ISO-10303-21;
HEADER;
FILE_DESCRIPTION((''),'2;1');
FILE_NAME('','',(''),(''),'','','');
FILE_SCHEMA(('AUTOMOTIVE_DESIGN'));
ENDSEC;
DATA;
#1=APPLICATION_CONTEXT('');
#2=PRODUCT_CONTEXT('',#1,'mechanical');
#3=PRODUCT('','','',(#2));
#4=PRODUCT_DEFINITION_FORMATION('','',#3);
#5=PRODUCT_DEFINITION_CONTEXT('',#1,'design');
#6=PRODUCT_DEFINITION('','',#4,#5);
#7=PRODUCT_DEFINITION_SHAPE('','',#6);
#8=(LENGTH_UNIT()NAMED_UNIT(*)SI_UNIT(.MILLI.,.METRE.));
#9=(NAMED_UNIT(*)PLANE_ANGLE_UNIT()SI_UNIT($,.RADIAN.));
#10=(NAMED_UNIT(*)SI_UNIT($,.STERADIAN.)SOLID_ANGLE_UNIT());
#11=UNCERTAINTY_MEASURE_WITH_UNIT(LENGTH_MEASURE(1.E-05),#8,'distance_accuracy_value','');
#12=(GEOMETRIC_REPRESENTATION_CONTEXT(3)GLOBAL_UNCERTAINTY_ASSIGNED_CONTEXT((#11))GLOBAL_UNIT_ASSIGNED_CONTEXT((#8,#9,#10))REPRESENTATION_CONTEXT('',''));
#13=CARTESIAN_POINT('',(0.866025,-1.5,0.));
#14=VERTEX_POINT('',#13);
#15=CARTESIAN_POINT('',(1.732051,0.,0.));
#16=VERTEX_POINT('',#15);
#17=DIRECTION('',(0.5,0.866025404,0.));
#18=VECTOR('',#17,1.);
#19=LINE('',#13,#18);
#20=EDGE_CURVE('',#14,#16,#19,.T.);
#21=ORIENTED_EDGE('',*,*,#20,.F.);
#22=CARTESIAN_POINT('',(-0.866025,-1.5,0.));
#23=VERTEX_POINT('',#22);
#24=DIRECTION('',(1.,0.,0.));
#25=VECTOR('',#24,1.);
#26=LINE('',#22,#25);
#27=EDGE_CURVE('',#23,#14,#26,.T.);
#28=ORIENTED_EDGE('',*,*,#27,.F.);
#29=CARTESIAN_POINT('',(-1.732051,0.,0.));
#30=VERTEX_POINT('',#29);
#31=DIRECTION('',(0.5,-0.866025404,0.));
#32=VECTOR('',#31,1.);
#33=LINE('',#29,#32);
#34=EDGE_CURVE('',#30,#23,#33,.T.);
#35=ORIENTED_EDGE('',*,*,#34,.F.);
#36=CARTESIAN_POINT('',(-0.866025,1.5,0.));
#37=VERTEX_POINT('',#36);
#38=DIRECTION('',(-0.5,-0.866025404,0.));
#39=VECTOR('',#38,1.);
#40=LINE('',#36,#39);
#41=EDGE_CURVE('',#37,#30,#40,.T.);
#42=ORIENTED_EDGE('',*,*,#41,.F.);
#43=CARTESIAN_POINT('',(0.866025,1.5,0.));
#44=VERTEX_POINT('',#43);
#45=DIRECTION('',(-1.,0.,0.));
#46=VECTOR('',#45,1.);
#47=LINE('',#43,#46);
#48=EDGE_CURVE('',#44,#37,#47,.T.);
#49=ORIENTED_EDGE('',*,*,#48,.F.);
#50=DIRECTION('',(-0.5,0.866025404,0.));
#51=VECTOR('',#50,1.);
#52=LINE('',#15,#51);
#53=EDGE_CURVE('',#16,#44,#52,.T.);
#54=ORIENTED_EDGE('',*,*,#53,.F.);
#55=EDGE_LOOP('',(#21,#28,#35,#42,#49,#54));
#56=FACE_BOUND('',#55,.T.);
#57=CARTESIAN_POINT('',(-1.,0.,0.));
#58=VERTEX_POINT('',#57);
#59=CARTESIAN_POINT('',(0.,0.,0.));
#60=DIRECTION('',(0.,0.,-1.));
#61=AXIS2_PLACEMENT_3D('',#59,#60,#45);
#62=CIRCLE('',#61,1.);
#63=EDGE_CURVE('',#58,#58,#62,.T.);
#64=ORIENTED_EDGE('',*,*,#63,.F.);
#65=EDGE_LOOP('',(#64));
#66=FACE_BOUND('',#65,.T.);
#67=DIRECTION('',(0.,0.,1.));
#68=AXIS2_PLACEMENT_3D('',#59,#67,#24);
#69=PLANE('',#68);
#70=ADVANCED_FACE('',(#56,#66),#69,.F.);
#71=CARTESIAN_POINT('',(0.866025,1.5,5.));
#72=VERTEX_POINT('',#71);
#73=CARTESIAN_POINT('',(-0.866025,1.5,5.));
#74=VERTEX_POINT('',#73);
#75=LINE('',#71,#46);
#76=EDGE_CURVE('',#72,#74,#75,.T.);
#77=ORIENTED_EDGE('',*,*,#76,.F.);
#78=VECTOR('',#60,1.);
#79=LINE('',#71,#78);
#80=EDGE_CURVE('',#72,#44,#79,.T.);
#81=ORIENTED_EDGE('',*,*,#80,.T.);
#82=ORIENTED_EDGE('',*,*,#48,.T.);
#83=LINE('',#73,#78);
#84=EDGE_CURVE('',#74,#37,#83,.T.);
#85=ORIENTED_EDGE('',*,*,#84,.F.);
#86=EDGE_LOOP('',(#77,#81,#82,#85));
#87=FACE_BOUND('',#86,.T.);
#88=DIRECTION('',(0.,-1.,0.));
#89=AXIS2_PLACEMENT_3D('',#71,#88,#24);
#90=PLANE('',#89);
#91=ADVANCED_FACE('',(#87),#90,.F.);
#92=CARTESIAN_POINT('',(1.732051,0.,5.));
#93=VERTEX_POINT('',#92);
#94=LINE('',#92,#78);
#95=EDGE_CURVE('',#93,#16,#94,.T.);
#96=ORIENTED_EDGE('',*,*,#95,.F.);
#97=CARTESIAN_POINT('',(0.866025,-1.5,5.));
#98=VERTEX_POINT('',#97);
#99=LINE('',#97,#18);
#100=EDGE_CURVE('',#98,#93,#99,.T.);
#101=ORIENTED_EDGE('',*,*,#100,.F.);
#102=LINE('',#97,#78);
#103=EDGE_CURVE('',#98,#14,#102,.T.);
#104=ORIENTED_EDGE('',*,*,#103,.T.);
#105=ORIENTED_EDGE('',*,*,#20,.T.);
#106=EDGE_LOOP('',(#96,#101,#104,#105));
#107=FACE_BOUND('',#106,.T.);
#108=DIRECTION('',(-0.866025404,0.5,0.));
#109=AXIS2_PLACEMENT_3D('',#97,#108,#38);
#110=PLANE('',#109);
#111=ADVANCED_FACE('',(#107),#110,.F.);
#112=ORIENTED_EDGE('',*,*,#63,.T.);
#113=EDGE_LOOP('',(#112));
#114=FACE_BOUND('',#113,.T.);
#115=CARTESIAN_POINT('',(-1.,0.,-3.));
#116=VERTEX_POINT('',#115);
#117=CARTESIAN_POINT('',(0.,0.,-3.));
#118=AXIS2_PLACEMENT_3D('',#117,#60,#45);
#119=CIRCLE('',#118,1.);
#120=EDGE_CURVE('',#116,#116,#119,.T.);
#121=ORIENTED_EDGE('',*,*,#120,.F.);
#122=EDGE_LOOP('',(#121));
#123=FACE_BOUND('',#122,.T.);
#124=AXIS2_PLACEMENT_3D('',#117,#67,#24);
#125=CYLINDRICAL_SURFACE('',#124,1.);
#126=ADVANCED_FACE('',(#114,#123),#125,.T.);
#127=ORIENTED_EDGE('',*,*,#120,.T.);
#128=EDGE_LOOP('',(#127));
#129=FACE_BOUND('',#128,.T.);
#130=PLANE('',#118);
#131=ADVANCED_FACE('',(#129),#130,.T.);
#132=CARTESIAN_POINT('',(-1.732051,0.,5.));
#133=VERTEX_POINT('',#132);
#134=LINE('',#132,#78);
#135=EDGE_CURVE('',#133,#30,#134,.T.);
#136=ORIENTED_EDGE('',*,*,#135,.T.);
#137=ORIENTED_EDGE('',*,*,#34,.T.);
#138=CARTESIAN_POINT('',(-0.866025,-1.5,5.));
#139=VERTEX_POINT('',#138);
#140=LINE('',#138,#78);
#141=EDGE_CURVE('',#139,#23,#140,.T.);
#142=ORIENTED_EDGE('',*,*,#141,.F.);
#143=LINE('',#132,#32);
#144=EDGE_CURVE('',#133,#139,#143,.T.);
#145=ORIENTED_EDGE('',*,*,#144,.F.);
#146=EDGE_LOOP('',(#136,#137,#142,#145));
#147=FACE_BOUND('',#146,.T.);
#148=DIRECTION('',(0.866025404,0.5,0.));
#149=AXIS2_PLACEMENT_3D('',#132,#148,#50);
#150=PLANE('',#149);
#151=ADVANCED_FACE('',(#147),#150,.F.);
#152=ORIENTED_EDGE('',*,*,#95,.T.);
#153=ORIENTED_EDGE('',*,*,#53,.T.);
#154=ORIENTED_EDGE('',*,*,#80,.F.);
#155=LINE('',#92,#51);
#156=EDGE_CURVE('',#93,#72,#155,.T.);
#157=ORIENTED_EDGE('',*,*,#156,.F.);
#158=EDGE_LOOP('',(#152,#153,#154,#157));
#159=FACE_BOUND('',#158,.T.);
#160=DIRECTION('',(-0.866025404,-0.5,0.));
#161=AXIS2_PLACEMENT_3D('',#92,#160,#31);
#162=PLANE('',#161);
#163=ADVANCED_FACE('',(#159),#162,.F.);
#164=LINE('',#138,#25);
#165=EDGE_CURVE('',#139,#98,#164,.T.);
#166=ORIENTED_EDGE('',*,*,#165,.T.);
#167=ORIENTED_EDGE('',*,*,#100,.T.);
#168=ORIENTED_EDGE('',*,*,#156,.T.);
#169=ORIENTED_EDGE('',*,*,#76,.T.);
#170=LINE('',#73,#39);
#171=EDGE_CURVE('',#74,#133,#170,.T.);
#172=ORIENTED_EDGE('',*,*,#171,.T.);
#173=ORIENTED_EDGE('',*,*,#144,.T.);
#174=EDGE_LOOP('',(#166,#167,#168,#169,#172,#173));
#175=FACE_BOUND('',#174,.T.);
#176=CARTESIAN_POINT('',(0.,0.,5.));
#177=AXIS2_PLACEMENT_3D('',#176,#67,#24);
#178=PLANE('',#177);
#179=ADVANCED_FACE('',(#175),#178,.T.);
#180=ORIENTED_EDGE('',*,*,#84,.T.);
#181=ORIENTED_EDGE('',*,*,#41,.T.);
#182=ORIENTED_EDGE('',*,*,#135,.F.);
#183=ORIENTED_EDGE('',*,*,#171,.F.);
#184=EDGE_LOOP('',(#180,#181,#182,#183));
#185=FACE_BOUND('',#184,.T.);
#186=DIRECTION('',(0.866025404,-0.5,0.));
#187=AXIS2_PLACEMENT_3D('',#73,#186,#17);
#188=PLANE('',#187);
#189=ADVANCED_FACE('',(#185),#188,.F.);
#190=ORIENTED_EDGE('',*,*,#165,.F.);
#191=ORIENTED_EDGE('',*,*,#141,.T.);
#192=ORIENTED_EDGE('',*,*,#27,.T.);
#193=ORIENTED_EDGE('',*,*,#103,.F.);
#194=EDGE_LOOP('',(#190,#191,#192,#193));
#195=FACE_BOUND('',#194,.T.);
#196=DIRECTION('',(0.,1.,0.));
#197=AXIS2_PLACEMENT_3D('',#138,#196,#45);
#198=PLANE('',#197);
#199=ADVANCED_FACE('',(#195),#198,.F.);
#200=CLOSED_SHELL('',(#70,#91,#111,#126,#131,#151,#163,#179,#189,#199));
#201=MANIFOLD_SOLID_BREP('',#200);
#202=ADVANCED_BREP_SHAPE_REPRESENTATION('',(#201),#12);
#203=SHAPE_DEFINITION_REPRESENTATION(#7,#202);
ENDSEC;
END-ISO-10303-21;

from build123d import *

# Parameters (mm, degrees)
EXTRUDE_1_DEPTH = 5
SKETCH_3_R      = 1
EXTRUDE_2_DEPTH = 3


with BuildPart() as part:
    # 草图2 → 凸台-拉伸1 (new body)
    with BuildSketch(Plane.XY):
        Polygon((1.732050808, 0), (0.866025404, 1.5), (-0.866025404, 1.5), (-1.732050808, 0), (-0.866025404, -1.5), (0.866025404, -1.5), align=None)
    extrude(amount=EXTRUDE_1_DEPTH)

    # 草图3 → 凸台-拉伸2 (add)
    with BuildSketch(Plane(origin=(0, 0, 0), x_dir=(-1, 0, 0), z_dir=(0, 0, -1))):
        Circle(SKETCH_3_R)
    extrude(amount=EXTRUDE_2_DEPTH)


solid = part.part
